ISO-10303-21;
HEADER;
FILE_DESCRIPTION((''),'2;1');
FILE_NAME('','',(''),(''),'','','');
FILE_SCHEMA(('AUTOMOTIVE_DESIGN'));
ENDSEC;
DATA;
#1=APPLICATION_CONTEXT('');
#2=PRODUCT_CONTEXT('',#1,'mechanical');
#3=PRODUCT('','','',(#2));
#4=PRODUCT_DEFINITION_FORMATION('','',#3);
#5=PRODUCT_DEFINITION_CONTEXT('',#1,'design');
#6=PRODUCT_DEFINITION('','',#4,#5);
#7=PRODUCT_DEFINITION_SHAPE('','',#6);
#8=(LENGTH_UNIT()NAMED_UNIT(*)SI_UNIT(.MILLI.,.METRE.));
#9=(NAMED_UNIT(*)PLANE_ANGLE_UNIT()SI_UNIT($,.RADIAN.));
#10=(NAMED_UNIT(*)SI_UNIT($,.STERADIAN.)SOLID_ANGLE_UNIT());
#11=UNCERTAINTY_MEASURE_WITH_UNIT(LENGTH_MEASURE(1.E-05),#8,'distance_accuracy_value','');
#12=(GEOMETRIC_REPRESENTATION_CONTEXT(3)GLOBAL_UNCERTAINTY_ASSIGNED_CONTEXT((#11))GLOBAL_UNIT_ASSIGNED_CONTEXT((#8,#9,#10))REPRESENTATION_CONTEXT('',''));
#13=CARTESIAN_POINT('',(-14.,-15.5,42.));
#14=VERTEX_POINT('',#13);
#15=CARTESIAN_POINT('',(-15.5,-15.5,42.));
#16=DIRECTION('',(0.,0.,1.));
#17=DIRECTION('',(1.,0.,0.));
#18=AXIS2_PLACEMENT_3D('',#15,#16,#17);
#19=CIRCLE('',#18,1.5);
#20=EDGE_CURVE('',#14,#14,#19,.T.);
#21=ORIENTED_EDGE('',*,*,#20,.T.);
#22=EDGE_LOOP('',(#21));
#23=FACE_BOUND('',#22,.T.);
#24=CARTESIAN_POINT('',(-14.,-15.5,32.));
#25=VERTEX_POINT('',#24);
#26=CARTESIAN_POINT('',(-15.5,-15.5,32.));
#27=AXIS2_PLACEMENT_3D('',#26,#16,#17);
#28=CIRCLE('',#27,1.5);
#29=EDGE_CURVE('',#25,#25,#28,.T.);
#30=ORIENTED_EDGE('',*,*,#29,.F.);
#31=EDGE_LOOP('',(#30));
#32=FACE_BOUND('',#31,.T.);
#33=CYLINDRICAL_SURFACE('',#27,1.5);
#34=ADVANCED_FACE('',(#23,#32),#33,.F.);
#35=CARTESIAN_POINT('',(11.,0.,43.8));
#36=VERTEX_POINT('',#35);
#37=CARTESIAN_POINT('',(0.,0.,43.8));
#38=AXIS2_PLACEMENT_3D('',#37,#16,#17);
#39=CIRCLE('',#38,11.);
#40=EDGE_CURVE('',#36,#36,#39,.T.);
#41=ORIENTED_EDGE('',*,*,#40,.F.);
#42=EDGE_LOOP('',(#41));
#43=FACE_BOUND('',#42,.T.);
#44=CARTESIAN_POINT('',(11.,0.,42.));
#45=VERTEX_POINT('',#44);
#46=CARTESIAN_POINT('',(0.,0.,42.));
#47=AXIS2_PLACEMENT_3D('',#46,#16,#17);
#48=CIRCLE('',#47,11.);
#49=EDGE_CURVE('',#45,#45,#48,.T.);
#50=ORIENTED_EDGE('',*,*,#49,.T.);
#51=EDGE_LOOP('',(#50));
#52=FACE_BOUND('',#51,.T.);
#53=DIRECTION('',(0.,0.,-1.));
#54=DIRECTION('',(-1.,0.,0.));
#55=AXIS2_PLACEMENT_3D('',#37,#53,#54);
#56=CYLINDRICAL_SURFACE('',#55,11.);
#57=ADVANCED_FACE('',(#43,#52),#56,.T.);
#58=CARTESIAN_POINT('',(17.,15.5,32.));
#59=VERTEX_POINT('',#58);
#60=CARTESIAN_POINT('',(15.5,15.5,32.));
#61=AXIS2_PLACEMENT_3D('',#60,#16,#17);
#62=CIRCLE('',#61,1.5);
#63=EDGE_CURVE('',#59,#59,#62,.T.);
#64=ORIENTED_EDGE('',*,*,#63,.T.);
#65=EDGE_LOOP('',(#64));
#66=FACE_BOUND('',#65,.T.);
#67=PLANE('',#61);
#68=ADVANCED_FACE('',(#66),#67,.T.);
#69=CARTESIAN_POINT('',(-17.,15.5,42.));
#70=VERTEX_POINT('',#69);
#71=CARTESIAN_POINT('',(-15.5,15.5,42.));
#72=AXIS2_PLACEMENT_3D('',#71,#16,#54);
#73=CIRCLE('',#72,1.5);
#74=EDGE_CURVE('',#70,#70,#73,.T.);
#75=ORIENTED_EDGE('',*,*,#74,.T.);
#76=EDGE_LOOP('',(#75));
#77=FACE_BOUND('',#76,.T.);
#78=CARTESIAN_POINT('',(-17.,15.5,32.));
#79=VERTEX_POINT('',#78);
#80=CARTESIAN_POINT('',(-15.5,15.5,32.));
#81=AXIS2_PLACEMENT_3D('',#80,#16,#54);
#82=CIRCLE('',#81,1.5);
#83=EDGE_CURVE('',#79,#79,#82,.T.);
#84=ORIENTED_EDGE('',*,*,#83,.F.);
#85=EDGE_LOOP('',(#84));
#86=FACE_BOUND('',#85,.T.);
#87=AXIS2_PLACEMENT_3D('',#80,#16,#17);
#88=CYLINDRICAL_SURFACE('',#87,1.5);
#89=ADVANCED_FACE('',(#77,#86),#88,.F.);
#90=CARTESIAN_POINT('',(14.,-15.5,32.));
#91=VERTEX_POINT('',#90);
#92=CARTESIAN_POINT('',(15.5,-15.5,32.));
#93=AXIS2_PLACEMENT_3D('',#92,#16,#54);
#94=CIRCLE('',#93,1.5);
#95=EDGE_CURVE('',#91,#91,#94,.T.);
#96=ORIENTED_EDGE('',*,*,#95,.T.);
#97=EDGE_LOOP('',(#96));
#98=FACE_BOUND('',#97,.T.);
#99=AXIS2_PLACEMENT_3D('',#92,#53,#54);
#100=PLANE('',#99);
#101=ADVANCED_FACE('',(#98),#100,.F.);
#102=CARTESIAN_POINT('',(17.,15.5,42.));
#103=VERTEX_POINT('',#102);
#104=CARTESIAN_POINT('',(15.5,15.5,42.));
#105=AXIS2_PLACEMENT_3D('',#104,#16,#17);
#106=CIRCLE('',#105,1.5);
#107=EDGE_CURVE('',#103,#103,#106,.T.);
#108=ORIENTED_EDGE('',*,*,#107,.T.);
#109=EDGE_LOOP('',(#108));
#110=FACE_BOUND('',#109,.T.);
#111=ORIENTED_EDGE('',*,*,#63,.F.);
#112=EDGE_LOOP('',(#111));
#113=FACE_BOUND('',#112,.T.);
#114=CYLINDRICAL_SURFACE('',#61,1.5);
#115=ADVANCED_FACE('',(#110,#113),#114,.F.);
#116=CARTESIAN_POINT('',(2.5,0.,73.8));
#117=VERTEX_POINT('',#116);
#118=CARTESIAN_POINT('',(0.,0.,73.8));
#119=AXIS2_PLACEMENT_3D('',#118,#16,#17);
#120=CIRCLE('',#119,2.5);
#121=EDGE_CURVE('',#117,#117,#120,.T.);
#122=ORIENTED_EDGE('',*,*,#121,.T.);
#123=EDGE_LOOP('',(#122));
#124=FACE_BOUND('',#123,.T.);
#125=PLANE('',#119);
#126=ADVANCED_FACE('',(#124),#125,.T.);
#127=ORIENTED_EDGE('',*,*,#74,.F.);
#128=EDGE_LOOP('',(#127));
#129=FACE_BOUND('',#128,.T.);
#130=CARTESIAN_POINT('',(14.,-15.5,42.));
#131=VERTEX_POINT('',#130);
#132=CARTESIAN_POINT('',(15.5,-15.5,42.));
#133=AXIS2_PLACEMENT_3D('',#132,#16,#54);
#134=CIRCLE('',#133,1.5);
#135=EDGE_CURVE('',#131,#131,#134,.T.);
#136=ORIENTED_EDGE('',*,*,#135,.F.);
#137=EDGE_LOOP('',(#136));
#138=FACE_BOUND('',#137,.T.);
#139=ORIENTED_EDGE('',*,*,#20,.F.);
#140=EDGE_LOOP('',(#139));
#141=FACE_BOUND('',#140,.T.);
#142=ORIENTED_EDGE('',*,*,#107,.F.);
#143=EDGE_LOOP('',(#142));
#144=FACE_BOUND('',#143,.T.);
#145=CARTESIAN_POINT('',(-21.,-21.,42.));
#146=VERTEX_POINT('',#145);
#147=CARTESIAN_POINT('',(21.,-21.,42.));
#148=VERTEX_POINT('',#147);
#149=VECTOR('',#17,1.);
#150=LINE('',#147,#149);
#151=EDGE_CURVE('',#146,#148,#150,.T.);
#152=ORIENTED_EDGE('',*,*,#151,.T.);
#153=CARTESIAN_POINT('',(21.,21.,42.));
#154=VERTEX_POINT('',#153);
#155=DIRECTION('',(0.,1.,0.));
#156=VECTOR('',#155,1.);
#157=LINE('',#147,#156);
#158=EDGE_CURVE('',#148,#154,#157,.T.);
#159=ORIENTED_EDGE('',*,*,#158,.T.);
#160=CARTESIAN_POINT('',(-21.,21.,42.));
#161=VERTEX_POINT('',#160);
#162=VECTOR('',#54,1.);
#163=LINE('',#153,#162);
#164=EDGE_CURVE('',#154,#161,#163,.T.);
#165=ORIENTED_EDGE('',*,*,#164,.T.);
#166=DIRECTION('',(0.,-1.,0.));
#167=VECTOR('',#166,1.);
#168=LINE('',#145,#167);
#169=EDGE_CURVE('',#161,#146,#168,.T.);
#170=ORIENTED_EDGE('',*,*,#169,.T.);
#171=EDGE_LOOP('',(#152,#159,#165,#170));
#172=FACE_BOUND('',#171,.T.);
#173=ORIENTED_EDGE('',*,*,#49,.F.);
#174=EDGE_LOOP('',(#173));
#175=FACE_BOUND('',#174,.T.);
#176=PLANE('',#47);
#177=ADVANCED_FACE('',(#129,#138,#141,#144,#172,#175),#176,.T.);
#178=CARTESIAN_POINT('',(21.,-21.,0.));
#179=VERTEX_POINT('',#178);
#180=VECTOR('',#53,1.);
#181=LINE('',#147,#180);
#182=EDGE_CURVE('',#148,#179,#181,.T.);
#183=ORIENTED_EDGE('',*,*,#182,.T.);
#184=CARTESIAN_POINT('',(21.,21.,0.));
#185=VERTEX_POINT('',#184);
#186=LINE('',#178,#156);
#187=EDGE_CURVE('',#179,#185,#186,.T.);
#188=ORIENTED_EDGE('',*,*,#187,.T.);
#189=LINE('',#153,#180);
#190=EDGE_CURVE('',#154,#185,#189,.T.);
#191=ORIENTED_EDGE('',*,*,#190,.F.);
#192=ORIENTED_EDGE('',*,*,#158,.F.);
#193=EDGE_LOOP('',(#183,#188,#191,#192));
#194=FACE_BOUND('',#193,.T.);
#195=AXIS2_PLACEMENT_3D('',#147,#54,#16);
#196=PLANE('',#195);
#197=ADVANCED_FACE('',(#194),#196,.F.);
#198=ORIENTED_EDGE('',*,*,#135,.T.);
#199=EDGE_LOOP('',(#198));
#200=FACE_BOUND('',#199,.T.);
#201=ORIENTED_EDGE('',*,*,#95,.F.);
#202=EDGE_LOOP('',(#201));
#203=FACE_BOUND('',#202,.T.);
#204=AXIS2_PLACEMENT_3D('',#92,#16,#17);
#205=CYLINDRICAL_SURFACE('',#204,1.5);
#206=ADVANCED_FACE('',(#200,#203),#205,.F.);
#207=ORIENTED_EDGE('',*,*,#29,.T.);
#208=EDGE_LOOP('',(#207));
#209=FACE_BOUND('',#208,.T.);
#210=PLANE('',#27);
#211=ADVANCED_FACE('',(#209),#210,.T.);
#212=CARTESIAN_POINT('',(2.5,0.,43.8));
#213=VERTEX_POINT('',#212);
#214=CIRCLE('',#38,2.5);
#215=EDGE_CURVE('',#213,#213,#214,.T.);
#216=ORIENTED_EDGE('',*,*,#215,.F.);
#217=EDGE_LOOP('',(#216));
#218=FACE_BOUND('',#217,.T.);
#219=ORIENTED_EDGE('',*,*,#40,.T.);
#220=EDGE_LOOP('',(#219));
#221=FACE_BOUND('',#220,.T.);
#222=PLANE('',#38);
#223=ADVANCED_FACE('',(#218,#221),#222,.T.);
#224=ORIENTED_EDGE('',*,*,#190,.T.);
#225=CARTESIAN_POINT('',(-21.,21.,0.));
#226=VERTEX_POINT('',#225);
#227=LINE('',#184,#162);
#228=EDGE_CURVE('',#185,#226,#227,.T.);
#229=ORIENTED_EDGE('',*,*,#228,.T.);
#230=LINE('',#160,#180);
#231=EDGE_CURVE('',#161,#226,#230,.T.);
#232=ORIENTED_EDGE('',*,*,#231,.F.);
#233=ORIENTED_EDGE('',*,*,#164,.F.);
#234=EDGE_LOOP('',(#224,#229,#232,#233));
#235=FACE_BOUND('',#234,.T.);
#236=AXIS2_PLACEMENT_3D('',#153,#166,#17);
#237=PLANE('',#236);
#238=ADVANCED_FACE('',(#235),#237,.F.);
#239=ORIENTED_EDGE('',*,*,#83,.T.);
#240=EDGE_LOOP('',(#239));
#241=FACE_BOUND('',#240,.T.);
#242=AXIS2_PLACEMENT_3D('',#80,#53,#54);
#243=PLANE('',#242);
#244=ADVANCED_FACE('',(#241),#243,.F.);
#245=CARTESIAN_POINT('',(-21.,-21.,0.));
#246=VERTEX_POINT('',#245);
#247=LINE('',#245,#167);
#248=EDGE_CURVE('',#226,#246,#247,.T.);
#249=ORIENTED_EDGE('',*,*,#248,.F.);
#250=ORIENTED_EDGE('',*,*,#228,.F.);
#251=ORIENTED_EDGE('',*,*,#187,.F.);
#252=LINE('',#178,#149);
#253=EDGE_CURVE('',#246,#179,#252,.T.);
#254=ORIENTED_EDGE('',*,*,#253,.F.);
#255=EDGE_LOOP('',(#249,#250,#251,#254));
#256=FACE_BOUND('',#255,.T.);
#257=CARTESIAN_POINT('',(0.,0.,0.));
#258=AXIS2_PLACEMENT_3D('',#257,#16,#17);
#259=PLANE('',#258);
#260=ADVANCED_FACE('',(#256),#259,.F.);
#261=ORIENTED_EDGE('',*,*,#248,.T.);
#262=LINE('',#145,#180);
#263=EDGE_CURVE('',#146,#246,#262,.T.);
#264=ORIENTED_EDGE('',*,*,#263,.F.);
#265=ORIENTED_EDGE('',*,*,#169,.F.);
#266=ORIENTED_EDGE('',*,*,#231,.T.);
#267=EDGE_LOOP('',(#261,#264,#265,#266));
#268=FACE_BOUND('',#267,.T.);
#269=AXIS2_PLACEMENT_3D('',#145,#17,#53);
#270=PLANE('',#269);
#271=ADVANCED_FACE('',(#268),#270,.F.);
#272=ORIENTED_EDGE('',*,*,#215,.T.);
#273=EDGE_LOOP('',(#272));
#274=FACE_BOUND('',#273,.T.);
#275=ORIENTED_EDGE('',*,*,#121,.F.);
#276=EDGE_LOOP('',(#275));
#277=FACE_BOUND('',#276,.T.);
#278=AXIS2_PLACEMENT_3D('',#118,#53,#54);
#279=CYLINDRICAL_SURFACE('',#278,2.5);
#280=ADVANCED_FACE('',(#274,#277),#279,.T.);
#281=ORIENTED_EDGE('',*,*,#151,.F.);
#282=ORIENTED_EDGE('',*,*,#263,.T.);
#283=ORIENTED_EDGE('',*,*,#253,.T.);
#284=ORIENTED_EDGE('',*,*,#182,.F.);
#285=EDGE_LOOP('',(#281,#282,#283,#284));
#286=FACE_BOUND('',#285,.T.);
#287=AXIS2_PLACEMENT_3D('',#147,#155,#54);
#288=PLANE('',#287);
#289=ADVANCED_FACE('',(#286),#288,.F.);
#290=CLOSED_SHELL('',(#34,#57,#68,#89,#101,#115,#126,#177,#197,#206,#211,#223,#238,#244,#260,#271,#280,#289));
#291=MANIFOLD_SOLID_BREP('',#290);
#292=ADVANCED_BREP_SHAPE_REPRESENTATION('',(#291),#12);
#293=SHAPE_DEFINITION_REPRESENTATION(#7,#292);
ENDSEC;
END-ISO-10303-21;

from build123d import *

# Parameters (mm, degrees)
SKETCH_1_W          = 42
SKETCH_1_H          = 42
EXTRUDE_1_DEPTH     = 42
SKETCH_2_R          = 1.5
CUT_EXTRUDE_1_DEPTH = 10
SKETCH_3_R          = 11
EXTRUDE_2_DEPTH     = 1.8
SKETCH_4_R          = 2.5
EXTRUDE_3_DEPTH     = 30


with BuildPart() as part:
    # 草图1 → 凸台-拉伸1 (new body)
    with BuildSketch(Plane.XY):
        Rectangle(SKETCH_1_W, SKETCH_1_H)
    extrude(amount=EXTRUDE_1_DEPTH)

    # 草图2 → 切除-拉伸1 (cut)
    with BuildSketch(Plane.XY.offset(42)):
        with Locations((15.5, 15.5)):
            Circle(SKETCH_2_R)
        with Locations(Location((-15.5, 15.5, 0), (0, 0, 180))):
            Circle(SKETCH_2_R)
        with Locations((-15.5, -15.5)):
            Circle(SKETCH_2_R)
        with Locations(Location((15.5, -15.5, 0), (0, 0, 180))):
            Circle(SKETCH_2_R)
    extrude(amount=-CUT_EXTRUDE_1_DEPTH, mode=Mode.SUBTRACT)

    # 草图3 → 凸台-拉伸2 (add)
    with BuildSketch(Plane.XY.offset(42)):
        Circle(SKETCH_3_R)
    extrude(amount=EXTRUDE_2_DEPTH)

    # 草图4 → 凸台-拉伸3 (add)
    with BuildSketch(Plane.XY.offset(43.8)):
        Circle(SKETCH_4_R)
    extrude(amount=EXTRUDE_3_DEPTH)


solid = part.part
